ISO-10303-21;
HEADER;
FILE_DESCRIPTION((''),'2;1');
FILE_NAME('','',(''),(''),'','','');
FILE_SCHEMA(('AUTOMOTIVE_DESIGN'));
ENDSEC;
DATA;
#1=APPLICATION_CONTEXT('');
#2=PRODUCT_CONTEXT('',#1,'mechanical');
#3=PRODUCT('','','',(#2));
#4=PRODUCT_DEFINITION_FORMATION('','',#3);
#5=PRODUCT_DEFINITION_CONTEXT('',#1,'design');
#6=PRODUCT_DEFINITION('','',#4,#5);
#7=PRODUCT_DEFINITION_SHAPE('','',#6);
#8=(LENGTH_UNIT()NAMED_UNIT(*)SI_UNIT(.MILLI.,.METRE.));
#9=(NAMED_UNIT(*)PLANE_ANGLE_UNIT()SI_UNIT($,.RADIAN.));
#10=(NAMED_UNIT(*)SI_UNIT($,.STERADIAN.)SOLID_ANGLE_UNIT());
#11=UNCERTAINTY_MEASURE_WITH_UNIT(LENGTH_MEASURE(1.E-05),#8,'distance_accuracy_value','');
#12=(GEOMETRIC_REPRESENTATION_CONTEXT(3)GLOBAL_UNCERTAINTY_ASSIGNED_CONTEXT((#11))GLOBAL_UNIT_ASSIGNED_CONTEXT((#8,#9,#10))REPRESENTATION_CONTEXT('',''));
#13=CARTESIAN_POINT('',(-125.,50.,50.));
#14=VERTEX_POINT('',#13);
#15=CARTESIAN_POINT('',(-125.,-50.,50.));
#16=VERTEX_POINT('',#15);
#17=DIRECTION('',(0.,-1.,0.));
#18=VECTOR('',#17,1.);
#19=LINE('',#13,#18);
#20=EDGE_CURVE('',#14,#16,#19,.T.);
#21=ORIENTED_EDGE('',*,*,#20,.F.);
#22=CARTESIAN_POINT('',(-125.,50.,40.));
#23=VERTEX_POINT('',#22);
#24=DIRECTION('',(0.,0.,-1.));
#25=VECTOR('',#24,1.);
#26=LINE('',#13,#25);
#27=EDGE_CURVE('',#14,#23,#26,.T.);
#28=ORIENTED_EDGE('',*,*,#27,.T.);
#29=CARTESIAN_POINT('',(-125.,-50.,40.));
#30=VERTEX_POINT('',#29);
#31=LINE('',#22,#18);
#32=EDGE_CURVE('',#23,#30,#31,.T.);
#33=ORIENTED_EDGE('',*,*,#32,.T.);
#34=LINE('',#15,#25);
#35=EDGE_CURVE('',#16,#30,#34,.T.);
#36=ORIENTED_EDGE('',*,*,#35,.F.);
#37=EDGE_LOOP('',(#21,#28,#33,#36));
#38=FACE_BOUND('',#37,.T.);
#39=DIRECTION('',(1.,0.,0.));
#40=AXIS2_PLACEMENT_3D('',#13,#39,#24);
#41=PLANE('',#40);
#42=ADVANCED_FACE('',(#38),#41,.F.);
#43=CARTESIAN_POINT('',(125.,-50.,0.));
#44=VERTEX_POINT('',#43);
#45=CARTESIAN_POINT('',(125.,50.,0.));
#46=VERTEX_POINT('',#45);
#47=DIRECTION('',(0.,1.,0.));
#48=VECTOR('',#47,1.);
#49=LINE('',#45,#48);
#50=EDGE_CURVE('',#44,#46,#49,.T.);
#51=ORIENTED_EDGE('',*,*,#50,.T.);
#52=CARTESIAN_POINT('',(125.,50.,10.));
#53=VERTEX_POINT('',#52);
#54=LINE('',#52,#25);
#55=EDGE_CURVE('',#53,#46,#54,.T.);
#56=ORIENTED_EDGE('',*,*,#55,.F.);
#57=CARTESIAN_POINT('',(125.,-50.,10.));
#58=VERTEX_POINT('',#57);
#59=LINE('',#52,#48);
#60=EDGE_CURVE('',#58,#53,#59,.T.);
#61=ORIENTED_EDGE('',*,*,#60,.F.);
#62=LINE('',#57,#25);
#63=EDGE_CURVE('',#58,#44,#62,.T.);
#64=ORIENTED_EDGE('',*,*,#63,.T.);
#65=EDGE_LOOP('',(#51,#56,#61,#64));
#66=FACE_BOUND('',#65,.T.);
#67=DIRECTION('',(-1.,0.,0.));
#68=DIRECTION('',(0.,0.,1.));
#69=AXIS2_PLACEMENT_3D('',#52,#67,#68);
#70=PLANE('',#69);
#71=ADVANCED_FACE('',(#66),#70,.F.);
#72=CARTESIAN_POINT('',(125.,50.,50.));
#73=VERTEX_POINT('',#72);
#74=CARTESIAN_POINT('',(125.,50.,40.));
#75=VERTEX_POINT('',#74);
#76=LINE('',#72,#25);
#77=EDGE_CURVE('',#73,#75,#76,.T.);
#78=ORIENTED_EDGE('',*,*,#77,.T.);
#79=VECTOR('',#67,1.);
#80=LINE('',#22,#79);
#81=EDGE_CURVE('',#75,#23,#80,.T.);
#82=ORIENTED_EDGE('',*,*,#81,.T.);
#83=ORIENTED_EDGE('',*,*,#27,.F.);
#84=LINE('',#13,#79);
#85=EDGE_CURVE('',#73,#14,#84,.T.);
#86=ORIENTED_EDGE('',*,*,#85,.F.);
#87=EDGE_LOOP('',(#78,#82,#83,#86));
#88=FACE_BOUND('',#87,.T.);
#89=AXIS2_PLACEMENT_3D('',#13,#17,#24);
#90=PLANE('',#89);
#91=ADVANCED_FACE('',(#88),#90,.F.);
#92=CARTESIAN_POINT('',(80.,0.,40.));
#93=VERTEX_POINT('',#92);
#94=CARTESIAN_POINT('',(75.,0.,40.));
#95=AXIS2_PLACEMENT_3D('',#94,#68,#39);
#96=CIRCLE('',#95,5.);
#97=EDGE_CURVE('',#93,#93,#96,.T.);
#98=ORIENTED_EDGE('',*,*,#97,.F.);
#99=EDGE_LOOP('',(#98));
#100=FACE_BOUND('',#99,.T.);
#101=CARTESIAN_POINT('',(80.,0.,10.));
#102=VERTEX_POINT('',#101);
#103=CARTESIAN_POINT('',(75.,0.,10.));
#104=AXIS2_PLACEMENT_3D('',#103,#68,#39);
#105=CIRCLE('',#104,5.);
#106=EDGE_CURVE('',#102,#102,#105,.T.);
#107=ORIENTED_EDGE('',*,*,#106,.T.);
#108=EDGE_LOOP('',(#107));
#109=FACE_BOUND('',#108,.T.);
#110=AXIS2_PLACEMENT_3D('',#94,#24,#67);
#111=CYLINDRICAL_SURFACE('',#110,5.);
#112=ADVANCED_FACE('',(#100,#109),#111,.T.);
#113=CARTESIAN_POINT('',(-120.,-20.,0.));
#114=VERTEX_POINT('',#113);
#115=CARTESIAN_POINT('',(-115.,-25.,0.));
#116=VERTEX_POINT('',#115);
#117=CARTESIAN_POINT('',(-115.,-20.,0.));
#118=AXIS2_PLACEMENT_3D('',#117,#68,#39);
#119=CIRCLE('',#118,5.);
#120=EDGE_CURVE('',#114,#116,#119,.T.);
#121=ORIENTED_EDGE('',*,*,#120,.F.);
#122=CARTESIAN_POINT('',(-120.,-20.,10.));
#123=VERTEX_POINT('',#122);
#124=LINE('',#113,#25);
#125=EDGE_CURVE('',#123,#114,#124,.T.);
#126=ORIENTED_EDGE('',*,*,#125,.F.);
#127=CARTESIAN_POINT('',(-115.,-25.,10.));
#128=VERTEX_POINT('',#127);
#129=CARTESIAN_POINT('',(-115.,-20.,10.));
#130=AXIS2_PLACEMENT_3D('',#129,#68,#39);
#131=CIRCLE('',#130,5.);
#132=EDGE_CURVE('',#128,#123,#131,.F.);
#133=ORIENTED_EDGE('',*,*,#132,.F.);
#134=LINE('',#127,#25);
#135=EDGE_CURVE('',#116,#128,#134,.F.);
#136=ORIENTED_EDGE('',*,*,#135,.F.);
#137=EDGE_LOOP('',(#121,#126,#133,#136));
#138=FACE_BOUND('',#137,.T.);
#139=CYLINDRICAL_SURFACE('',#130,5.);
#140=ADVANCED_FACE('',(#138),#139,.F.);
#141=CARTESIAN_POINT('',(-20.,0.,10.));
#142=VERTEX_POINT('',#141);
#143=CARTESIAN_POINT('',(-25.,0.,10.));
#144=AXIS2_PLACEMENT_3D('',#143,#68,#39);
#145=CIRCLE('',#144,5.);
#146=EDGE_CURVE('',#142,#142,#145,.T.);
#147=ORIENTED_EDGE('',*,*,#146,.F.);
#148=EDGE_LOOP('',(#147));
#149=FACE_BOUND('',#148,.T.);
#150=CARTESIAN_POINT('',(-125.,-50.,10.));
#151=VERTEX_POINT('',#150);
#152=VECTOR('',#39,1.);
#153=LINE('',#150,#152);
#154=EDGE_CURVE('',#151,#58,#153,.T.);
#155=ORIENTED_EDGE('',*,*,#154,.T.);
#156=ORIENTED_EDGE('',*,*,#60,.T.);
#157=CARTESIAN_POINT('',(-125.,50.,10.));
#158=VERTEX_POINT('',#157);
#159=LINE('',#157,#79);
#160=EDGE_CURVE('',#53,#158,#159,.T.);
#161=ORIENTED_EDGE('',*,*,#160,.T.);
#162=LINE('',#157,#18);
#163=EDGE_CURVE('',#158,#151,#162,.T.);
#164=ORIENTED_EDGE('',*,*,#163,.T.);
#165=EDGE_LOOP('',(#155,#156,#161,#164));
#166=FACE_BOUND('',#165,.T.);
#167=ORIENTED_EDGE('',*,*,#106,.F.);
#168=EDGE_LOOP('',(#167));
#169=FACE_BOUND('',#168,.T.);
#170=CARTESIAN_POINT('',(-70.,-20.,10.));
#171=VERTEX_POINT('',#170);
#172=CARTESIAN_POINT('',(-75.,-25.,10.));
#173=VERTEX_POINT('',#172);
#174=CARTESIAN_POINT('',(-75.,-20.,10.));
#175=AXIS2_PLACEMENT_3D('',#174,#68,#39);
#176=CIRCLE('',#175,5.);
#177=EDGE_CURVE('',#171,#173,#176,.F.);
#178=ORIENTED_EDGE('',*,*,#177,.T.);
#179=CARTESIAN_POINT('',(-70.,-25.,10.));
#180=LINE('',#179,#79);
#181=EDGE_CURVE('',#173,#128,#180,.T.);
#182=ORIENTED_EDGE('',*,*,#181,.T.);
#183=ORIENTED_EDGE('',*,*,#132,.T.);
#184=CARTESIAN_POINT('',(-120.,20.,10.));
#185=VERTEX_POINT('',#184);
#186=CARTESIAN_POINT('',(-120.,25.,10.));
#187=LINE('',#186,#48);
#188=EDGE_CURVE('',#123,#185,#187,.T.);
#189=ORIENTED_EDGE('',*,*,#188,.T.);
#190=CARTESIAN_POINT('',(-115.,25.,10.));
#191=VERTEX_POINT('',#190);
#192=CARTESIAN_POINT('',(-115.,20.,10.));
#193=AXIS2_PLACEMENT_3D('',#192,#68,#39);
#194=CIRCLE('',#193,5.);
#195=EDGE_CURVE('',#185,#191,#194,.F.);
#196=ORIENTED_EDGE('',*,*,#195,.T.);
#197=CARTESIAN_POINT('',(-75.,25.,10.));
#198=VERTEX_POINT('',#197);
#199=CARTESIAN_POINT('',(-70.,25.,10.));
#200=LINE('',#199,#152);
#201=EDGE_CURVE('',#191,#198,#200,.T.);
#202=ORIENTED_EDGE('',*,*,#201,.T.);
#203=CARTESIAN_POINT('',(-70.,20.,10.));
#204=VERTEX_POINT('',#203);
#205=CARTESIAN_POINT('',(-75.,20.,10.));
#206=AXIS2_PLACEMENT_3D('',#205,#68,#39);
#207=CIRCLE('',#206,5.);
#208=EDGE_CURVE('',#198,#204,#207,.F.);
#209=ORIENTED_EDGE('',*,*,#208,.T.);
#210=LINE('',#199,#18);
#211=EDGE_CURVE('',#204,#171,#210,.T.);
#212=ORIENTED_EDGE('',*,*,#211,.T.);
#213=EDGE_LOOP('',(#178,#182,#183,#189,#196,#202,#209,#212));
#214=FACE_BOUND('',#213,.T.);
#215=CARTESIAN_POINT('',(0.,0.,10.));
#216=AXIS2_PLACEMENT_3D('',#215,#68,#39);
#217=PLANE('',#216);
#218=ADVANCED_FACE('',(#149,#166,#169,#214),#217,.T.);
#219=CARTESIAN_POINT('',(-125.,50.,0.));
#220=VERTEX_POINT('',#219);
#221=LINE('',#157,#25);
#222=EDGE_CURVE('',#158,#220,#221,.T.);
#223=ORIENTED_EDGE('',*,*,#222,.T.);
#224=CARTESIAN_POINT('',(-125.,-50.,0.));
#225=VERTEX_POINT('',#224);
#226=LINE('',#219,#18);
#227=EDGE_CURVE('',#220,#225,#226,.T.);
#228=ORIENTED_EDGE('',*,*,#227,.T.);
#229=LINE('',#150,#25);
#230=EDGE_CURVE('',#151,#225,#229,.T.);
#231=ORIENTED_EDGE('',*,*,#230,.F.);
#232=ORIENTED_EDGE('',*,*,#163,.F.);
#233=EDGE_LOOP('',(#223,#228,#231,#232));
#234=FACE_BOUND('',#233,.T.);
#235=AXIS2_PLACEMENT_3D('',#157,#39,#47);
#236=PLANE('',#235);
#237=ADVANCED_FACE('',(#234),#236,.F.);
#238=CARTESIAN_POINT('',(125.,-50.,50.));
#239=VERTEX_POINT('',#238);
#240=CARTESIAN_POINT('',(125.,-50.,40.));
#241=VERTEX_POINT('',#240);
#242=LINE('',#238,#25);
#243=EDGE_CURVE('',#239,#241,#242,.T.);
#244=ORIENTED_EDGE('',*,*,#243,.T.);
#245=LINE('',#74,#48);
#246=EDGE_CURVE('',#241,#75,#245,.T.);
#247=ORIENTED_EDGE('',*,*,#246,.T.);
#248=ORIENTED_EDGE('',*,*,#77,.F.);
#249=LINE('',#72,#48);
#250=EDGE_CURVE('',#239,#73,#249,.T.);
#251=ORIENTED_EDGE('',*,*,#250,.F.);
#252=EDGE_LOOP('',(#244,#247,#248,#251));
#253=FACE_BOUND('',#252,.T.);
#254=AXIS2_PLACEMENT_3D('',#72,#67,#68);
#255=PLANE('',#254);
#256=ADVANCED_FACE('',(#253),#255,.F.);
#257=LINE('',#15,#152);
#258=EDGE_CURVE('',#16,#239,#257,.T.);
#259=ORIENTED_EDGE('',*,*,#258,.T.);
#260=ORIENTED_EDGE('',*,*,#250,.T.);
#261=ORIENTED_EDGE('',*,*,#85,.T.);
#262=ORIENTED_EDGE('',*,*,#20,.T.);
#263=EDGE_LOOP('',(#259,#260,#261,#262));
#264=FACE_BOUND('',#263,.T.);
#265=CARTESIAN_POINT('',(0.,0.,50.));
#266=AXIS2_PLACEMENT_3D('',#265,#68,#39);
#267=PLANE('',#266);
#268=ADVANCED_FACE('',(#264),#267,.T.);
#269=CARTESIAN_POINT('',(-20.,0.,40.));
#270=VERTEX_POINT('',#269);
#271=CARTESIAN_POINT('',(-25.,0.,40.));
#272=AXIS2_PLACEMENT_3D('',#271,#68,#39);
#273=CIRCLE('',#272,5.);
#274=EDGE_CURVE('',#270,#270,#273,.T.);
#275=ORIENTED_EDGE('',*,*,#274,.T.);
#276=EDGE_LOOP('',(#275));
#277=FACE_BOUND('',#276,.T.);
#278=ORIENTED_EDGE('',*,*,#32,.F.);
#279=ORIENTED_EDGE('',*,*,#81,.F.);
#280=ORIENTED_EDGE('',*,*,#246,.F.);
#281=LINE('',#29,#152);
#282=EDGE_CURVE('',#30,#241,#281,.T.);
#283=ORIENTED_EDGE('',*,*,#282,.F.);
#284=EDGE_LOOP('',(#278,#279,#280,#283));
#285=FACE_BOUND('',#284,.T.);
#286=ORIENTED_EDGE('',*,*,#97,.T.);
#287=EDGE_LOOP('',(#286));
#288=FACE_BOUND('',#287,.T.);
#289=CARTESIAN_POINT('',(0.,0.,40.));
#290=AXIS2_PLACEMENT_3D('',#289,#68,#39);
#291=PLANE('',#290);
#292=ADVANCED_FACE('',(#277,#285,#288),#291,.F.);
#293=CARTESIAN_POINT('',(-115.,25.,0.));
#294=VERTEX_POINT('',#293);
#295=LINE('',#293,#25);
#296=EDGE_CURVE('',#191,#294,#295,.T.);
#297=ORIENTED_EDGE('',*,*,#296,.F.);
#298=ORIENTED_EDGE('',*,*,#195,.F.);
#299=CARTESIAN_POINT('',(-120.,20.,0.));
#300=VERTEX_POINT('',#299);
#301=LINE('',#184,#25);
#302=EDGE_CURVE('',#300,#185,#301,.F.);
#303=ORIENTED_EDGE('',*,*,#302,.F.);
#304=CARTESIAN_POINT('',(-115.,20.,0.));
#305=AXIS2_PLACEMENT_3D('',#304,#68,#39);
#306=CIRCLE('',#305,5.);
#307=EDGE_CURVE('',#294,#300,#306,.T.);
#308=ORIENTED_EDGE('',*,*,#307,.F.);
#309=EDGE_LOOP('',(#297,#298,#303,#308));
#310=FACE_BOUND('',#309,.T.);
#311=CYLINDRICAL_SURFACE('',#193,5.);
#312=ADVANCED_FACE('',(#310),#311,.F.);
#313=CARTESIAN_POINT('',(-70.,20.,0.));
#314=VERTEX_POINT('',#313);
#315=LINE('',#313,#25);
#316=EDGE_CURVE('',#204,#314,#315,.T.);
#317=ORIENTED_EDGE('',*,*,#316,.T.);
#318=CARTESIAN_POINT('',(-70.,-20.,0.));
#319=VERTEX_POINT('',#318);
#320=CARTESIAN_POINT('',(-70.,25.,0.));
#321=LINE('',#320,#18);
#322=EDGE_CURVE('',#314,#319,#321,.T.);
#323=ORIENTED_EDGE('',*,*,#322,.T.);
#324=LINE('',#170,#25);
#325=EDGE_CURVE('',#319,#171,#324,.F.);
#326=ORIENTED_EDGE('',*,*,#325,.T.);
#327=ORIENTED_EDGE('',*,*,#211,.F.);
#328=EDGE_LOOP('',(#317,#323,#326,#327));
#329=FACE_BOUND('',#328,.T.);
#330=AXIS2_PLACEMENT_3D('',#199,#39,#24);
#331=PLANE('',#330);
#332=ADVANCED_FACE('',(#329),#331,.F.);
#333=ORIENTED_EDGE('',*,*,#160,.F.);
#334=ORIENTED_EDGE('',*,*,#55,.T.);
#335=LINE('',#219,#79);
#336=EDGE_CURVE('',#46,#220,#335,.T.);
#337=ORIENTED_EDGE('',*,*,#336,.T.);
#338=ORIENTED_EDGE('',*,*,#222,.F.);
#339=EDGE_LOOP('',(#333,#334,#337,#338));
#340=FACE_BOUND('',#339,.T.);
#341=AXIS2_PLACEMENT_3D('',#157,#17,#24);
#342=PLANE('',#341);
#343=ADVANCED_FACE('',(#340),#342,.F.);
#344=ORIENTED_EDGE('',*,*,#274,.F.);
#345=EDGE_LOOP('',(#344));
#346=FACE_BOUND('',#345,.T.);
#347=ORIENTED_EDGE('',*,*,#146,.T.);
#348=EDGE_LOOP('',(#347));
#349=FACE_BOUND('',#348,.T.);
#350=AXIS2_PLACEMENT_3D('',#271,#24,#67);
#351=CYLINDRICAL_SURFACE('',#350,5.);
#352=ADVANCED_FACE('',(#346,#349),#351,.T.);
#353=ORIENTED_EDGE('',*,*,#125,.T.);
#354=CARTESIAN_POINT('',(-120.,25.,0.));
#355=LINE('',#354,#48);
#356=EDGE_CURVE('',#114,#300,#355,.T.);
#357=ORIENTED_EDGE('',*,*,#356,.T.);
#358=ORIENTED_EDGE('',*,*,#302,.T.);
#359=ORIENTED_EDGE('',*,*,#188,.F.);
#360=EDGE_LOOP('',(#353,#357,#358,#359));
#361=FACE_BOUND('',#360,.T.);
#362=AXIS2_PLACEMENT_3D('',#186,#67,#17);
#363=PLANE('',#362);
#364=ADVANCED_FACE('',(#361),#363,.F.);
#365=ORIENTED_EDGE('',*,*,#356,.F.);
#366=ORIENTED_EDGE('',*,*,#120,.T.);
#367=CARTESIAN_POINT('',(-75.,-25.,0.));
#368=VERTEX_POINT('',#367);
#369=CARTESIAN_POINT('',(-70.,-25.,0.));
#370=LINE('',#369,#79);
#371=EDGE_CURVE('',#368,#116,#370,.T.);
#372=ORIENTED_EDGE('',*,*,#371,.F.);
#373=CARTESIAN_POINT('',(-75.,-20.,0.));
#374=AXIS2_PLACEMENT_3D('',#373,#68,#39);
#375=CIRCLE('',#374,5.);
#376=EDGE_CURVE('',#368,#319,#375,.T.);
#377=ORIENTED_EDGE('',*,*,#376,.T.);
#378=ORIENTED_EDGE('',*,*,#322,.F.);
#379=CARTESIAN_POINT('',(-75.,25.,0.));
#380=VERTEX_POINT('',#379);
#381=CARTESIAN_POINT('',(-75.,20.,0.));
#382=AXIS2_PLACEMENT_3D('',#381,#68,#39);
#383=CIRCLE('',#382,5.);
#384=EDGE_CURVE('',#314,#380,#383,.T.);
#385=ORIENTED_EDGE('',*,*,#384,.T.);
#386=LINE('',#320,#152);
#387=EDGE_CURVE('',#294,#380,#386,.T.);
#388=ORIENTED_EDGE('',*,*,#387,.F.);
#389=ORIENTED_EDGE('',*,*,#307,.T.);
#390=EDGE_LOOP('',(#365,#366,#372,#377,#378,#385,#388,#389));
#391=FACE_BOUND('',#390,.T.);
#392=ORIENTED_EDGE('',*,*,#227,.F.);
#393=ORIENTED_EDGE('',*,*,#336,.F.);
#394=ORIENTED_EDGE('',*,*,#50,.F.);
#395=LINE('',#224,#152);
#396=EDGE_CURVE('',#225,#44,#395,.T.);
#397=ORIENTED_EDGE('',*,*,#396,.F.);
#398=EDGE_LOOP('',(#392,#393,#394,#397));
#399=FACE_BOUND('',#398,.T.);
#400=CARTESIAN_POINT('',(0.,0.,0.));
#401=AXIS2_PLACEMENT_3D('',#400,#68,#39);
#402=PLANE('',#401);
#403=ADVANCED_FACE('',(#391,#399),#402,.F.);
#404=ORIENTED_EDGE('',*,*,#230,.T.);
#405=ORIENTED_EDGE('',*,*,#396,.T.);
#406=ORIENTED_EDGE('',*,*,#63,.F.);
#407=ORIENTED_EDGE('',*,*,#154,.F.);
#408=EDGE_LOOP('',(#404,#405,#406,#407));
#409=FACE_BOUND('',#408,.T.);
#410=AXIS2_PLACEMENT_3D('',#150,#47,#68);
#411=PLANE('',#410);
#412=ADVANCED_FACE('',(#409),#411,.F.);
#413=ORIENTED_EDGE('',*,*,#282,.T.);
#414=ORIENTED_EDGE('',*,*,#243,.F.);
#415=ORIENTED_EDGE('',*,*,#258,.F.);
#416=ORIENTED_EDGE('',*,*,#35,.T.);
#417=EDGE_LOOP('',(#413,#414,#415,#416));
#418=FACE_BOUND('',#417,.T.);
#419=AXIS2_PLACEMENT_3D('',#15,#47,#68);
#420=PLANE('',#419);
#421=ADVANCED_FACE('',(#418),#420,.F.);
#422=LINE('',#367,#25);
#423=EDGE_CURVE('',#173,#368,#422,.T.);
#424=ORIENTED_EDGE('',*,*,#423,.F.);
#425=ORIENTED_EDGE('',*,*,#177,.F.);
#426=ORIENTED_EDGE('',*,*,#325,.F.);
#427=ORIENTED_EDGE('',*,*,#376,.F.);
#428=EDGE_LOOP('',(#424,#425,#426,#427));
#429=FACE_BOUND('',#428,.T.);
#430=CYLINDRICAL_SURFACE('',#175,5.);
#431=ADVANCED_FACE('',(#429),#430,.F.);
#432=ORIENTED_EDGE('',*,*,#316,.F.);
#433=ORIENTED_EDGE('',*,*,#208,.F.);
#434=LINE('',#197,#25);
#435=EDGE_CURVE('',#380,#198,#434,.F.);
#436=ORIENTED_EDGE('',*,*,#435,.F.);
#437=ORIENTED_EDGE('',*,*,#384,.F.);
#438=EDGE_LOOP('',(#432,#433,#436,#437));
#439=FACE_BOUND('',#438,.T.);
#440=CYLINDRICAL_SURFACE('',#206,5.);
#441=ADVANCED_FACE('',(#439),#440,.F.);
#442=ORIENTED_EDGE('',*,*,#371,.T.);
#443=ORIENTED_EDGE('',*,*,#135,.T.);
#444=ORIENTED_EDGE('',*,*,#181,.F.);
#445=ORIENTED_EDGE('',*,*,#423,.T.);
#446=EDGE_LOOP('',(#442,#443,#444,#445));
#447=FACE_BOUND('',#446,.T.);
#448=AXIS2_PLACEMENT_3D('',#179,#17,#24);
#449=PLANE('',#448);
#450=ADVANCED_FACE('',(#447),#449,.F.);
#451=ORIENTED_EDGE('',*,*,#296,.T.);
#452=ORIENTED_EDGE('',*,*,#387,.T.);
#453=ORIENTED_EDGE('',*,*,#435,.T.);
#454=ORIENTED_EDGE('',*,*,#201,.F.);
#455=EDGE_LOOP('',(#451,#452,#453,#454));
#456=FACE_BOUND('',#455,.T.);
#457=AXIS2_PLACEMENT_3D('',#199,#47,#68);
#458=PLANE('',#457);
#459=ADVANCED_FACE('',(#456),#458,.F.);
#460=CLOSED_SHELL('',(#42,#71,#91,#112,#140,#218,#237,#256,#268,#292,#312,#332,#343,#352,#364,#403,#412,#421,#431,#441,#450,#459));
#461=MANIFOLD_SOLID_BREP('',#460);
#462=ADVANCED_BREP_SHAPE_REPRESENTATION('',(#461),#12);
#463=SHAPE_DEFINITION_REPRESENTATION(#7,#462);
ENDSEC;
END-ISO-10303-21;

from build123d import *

# Parameters (mm, degrees)
SKETCH1_W           = 250
SKETCH1_H           = 100
BOSS_EXTRUDE1_DEPTH = 10
SKETCH2_R           = 5
BOSS_EXTRUDE2_DEPTH = 30
SKETCH3_W           = 250
SKETCH3_H           = 100
BOSS_EXTRUDE3_DEPTH = 10
SKETCH5_W           = 50
SKETCH5_H           = 50
CUT_EXTRUDE1_DEPTH  = 10
FILLET1_R           = 5


with BuildPart() as part:
    # Sketch1 → Boss-Extrude1 (new body)
    with BuildSketch(Plane.XY):
        Rectangle(SKETCH1_W, SKETCH1_H)
    extrude(amount=BOSS_EXTRUDE1_DEPTH)

    # Sketch2 → Boss-Extrude2 (add)
    with BuildSketch(Plane.XY.offset(10)):
        with Locations((75, 0)):
            Circle(SKETCH2_R)
        with Locations((-25, 0)):
            Circle(SKETCH2_R)
    extrude(amount=BOSS_EXTRUDE2_DEPTH)

    # Sketch3 → Boss-Extrude3 (add)
    with BuildSketch(Plane.XY.offset(40)):
        Rectangle(SKETCH3_W, SKETCH3_H)
    extrude(amount=BOSS_EXTRUDE3_DEPTH)

    # Sketch5 → Cut-Extrude1 (cut)
    with BuildSketch(Plane(origin=(0, 0, 0), x_dir=(-1, 0, 0), z_dir=(0, 0, -1))):
        with Locations((95, 0)):
            Rectangle(SKETCH5_W, SKETCH5_H)
    extrude(amount=-CUT_EXTRUDE1_DEPTH, mode=Mode.SUBTRACT)

    # Fillet1
    fillet1_edges = [part.edges().sort_by_distance(p)[0] for p in [
        (-120, 25, 5),
        (-120, -25, 5),
        (-70, -25, 5),
        (-70, 25, 5),
    ]]
    fillet(fillet1_edges, radius=FILLET1_R)


solid = part.part
